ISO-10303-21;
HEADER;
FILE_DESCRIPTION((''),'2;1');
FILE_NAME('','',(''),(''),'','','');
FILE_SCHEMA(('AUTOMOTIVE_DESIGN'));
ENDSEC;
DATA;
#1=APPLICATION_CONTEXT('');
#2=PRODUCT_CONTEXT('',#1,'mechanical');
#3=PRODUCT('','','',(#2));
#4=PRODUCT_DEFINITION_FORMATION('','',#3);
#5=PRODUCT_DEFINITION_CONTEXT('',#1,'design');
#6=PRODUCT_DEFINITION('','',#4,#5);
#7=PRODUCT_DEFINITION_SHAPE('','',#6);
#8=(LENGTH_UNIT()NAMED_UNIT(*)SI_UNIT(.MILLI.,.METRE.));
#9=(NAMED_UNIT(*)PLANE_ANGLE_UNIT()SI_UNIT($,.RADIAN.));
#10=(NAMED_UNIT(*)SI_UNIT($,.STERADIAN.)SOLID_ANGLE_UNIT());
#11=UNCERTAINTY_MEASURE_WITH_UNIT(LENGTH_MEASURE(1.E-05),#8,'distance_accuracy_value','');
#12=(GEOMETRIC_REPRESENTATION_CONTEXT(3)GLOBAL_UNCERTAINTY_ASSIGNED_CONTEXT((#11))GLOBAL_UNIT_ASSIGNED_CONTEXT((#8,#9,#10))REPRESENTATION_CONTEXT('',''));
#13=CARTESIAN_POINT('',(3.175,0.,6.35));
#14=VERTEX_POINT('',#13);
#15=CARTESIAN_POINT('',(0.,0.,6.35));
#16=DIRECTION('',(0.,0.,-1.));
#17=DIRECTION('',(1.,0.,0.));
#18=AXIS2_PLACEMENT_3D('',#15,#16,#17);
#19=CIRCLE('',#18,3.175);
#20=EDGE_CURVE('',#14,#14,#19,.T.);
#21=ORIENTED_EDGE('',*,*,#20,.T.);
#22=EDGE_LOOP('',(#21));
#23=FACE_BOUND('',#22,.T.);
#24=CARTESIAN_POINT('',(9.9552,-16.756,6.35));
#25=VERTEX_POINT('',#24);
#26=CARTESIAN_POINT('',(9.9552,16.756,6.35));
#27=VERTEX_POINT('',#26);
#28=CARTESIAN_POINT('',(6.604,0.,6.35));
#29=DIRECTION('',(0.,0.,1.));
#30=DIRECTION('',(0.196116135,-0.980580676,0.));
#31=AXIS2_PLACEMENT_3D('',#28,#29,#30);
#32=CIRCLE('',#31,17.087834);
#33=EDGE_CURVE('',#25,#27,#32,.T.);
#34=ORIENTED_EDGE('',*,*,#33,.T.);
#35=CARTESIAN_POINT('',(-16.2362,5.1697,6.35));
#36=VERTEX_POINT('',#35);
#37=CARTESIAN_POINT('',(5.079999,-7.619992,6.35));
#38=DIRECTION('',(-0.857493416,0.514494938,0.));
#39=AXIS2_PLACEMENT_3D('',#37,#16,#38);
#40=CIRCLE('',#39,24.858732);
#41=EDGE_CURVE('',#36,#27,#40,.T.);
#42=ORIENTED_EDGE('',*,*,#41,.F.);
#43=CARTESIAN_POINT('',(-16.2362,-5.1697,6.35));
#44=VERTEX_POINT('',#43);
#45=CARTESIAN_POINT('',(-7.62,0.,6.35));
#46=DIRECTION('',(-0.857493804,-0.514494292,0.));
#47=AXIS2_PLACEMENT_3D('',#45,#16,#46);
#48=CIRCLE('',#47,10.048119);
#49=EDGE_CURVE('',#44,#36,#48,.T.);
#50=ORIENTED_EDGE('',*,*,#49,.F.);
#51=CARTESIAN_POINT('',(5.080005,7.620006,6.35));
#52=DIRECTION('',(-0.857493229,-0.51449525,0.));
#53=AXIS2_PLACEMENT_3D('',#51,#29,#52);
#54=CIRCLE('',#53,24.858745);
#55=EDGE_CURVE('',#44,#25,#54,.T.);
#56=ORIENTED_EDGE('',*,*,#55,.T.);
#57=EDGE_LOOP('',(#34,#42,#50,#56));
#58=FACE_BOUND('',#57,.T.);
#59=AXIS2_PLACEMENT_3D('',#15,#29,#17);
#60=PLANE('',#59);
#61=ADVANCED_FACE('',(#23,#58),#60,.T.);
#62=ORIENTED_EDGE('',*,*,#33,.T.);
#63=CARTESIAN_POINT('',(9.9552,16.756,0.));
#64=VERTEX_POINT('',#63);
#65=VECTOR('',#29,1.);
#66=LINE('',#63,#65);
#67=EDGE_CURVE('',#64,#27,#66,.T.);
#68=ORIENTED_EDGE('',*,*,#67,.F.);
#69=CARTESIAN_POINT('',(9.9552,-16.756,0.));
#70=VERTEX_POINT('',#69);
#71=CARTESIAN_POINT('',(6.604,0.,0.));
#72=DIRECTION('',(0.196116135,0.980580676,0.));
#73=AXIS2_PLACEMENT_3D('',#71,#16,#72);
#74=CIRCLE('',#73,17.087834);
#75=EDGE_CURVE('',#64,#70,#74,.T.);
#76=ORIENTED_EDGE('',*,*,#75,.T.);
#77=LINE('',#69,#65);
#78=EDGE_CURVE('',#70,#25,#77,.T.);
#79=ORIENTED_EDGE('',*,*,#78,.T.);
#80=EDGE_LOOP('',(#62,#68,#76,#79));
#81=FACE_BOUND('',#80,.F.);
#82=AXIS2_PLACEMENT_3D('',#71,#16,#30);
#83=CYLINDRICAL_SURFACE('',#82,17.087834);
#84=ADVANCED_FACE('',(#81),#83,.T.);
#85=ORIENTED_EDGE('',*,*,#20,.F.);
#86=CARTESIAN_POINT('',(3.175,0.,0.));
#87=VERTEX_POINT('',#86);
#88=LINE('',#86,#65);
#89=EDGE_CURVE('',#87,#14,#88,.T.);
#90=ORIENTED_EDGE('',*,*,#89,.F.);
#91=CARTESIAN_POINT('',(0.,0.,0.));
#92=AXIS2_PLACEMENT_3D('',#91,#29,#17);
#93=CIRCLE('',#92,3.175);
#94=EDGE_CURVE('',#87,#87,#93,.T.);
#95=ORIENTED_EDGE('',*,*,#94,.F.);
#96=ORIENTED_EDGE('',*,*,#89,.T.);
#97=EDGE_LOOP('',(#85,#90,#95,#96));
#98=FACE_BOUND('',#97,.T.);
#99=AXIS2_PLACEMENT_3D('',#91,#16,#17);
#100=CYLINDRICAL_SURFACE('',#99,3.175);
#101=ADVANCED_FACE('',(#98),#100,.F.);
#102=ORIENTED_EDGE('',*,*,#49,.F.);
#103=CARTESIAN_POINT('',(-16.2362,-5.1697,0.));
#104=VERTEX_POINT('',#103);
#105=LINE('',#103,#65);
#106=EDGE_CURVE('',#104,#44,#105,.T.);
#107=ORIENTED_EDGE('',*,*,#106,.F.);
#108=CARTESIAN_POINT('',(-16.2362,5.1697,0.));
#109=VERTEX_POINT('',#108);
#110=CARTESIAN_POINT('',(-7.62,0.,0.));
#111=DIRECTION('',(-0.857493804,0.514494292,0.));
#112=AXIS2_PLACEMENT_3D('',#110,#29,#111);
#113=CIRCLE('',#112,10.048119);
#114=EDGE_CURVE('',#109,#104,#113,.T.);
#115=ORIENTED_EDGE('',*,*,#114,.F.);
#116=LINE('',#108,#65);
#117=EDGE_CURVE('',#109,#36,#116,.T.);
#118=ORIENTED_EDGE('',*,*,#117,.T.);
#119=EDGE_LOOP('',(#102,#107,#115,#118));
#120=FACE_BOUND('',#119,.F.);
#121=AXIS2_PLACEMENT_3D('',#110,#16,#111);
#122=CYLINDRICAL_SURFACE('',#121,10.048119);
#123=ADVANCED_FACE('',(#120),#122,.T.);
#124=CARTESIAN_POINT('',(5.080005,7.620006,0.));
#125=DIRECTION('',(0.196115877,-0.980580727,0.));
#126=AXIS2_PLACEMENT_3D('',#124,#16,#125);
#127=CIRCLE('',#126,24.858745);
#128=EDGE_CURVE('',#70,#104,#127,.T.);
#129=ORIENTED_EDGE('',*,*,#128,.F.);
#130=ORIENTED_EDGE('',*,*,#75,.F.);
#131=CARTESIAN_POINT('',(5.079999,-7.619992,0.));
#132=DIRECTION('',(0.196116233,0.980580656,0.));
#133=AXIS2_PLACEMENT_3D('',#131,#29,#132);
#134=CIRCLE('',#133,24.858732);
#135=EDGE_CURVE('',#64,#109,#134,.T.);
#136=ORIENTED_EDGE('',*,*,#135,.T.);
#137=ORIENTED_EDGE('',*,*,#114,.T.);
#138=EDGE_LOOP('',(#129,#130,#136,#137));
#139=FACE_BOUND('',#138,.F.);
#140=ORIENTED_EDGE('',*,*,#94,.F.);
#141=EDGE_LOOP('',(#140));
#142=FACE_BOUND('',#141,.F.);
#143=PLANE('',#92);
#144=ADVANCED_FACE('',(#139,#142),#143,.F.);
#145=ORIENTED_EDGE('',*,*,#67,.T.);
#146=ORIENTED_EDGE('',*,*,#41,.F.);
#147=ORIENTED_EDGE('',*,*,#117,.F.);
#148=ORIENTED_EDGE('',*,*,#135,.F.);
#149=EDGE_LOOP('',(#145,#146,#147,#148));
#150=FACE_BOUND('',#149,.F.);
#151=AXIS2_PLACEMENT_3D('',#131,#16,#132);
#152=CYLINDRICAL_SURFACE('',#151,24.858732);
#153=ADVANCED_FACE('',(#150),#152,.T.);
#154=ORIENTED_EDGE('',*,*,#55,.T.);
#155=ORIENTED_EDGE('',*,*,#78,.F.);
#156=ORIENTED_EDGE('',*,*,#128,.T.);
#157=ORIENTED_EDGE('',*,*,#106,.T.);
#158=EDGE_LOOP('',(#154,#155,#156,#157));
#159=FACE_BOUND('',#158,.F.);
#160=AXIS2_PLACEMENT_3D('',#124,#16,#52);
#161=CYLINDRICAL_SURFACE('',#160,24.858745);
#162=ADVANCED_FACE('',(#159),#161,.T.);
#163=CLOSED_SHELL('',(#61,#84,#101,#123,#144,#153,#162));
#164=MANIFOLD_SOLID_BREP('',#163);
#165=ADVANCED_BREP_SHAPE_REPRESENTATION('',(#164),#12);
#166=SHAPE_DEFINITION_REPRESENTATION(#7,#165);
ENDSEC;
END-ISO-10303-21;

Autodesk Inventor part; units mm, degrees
ref_plane "YZ Plane" through (0, 0, 0) normal (1, 0, 0) x (0, 1, 0)
ref_plane "XY Plane" through (0, 0, 0) normal (0, 0, 1) x (1, 0, 0)
sketch "Sketch6" plane through (0, 0, 0) normal (0, 0, 1) x (1, 0, 0)
  arc A0 (-16.2362, 5.1697) -> (-16.2362, -5.1697) centre (-7.62, 0) ccw
  arc A1 (9.9552, 16.756) -> (-16.2362, 5.1697) centre (5.08, -7.62) ccw
  arc A2 (9.9552, -16.756) -> (9.9552, 16.756) centre (6.604, 0) ccw
  line L0 (-27.0242, 0) -> (35.6389, 0) projected
  arc A3 (-16.2362, 5.1697) -> (-16.2362, -5.1697) centre (-7.62, 0) ccw
  arc A4 (-16.2362, -5.1697) -> (9.9552, -16.756) centre (5.08, 7.62) ccw
  arc A5 (9.9552, -16.756) -> (23.6918, 0) centre (6.604, 0) ccw
  line L1 (0, -29.2695) -> (0, 29.2695) projected
  circle A6 centre (0, 0) radius 3.175
  dimension "d11" = 7.62
  dimension "d12" = 5.08
  dimension "d13" = 6.35
  dimension "d16" = 6.604
  dimension "d17" = 7.62
extrude "Extrusion2" add sketch "Sketch6" along normal blind 6.35 contours A1 L1 A6 L0 A0 | L0 A6 L1 A4 A0 | A1 A2 L0 A6 L1 | L1 A6 L0 A2 A4
properties part number "Cam disc Polyline"
